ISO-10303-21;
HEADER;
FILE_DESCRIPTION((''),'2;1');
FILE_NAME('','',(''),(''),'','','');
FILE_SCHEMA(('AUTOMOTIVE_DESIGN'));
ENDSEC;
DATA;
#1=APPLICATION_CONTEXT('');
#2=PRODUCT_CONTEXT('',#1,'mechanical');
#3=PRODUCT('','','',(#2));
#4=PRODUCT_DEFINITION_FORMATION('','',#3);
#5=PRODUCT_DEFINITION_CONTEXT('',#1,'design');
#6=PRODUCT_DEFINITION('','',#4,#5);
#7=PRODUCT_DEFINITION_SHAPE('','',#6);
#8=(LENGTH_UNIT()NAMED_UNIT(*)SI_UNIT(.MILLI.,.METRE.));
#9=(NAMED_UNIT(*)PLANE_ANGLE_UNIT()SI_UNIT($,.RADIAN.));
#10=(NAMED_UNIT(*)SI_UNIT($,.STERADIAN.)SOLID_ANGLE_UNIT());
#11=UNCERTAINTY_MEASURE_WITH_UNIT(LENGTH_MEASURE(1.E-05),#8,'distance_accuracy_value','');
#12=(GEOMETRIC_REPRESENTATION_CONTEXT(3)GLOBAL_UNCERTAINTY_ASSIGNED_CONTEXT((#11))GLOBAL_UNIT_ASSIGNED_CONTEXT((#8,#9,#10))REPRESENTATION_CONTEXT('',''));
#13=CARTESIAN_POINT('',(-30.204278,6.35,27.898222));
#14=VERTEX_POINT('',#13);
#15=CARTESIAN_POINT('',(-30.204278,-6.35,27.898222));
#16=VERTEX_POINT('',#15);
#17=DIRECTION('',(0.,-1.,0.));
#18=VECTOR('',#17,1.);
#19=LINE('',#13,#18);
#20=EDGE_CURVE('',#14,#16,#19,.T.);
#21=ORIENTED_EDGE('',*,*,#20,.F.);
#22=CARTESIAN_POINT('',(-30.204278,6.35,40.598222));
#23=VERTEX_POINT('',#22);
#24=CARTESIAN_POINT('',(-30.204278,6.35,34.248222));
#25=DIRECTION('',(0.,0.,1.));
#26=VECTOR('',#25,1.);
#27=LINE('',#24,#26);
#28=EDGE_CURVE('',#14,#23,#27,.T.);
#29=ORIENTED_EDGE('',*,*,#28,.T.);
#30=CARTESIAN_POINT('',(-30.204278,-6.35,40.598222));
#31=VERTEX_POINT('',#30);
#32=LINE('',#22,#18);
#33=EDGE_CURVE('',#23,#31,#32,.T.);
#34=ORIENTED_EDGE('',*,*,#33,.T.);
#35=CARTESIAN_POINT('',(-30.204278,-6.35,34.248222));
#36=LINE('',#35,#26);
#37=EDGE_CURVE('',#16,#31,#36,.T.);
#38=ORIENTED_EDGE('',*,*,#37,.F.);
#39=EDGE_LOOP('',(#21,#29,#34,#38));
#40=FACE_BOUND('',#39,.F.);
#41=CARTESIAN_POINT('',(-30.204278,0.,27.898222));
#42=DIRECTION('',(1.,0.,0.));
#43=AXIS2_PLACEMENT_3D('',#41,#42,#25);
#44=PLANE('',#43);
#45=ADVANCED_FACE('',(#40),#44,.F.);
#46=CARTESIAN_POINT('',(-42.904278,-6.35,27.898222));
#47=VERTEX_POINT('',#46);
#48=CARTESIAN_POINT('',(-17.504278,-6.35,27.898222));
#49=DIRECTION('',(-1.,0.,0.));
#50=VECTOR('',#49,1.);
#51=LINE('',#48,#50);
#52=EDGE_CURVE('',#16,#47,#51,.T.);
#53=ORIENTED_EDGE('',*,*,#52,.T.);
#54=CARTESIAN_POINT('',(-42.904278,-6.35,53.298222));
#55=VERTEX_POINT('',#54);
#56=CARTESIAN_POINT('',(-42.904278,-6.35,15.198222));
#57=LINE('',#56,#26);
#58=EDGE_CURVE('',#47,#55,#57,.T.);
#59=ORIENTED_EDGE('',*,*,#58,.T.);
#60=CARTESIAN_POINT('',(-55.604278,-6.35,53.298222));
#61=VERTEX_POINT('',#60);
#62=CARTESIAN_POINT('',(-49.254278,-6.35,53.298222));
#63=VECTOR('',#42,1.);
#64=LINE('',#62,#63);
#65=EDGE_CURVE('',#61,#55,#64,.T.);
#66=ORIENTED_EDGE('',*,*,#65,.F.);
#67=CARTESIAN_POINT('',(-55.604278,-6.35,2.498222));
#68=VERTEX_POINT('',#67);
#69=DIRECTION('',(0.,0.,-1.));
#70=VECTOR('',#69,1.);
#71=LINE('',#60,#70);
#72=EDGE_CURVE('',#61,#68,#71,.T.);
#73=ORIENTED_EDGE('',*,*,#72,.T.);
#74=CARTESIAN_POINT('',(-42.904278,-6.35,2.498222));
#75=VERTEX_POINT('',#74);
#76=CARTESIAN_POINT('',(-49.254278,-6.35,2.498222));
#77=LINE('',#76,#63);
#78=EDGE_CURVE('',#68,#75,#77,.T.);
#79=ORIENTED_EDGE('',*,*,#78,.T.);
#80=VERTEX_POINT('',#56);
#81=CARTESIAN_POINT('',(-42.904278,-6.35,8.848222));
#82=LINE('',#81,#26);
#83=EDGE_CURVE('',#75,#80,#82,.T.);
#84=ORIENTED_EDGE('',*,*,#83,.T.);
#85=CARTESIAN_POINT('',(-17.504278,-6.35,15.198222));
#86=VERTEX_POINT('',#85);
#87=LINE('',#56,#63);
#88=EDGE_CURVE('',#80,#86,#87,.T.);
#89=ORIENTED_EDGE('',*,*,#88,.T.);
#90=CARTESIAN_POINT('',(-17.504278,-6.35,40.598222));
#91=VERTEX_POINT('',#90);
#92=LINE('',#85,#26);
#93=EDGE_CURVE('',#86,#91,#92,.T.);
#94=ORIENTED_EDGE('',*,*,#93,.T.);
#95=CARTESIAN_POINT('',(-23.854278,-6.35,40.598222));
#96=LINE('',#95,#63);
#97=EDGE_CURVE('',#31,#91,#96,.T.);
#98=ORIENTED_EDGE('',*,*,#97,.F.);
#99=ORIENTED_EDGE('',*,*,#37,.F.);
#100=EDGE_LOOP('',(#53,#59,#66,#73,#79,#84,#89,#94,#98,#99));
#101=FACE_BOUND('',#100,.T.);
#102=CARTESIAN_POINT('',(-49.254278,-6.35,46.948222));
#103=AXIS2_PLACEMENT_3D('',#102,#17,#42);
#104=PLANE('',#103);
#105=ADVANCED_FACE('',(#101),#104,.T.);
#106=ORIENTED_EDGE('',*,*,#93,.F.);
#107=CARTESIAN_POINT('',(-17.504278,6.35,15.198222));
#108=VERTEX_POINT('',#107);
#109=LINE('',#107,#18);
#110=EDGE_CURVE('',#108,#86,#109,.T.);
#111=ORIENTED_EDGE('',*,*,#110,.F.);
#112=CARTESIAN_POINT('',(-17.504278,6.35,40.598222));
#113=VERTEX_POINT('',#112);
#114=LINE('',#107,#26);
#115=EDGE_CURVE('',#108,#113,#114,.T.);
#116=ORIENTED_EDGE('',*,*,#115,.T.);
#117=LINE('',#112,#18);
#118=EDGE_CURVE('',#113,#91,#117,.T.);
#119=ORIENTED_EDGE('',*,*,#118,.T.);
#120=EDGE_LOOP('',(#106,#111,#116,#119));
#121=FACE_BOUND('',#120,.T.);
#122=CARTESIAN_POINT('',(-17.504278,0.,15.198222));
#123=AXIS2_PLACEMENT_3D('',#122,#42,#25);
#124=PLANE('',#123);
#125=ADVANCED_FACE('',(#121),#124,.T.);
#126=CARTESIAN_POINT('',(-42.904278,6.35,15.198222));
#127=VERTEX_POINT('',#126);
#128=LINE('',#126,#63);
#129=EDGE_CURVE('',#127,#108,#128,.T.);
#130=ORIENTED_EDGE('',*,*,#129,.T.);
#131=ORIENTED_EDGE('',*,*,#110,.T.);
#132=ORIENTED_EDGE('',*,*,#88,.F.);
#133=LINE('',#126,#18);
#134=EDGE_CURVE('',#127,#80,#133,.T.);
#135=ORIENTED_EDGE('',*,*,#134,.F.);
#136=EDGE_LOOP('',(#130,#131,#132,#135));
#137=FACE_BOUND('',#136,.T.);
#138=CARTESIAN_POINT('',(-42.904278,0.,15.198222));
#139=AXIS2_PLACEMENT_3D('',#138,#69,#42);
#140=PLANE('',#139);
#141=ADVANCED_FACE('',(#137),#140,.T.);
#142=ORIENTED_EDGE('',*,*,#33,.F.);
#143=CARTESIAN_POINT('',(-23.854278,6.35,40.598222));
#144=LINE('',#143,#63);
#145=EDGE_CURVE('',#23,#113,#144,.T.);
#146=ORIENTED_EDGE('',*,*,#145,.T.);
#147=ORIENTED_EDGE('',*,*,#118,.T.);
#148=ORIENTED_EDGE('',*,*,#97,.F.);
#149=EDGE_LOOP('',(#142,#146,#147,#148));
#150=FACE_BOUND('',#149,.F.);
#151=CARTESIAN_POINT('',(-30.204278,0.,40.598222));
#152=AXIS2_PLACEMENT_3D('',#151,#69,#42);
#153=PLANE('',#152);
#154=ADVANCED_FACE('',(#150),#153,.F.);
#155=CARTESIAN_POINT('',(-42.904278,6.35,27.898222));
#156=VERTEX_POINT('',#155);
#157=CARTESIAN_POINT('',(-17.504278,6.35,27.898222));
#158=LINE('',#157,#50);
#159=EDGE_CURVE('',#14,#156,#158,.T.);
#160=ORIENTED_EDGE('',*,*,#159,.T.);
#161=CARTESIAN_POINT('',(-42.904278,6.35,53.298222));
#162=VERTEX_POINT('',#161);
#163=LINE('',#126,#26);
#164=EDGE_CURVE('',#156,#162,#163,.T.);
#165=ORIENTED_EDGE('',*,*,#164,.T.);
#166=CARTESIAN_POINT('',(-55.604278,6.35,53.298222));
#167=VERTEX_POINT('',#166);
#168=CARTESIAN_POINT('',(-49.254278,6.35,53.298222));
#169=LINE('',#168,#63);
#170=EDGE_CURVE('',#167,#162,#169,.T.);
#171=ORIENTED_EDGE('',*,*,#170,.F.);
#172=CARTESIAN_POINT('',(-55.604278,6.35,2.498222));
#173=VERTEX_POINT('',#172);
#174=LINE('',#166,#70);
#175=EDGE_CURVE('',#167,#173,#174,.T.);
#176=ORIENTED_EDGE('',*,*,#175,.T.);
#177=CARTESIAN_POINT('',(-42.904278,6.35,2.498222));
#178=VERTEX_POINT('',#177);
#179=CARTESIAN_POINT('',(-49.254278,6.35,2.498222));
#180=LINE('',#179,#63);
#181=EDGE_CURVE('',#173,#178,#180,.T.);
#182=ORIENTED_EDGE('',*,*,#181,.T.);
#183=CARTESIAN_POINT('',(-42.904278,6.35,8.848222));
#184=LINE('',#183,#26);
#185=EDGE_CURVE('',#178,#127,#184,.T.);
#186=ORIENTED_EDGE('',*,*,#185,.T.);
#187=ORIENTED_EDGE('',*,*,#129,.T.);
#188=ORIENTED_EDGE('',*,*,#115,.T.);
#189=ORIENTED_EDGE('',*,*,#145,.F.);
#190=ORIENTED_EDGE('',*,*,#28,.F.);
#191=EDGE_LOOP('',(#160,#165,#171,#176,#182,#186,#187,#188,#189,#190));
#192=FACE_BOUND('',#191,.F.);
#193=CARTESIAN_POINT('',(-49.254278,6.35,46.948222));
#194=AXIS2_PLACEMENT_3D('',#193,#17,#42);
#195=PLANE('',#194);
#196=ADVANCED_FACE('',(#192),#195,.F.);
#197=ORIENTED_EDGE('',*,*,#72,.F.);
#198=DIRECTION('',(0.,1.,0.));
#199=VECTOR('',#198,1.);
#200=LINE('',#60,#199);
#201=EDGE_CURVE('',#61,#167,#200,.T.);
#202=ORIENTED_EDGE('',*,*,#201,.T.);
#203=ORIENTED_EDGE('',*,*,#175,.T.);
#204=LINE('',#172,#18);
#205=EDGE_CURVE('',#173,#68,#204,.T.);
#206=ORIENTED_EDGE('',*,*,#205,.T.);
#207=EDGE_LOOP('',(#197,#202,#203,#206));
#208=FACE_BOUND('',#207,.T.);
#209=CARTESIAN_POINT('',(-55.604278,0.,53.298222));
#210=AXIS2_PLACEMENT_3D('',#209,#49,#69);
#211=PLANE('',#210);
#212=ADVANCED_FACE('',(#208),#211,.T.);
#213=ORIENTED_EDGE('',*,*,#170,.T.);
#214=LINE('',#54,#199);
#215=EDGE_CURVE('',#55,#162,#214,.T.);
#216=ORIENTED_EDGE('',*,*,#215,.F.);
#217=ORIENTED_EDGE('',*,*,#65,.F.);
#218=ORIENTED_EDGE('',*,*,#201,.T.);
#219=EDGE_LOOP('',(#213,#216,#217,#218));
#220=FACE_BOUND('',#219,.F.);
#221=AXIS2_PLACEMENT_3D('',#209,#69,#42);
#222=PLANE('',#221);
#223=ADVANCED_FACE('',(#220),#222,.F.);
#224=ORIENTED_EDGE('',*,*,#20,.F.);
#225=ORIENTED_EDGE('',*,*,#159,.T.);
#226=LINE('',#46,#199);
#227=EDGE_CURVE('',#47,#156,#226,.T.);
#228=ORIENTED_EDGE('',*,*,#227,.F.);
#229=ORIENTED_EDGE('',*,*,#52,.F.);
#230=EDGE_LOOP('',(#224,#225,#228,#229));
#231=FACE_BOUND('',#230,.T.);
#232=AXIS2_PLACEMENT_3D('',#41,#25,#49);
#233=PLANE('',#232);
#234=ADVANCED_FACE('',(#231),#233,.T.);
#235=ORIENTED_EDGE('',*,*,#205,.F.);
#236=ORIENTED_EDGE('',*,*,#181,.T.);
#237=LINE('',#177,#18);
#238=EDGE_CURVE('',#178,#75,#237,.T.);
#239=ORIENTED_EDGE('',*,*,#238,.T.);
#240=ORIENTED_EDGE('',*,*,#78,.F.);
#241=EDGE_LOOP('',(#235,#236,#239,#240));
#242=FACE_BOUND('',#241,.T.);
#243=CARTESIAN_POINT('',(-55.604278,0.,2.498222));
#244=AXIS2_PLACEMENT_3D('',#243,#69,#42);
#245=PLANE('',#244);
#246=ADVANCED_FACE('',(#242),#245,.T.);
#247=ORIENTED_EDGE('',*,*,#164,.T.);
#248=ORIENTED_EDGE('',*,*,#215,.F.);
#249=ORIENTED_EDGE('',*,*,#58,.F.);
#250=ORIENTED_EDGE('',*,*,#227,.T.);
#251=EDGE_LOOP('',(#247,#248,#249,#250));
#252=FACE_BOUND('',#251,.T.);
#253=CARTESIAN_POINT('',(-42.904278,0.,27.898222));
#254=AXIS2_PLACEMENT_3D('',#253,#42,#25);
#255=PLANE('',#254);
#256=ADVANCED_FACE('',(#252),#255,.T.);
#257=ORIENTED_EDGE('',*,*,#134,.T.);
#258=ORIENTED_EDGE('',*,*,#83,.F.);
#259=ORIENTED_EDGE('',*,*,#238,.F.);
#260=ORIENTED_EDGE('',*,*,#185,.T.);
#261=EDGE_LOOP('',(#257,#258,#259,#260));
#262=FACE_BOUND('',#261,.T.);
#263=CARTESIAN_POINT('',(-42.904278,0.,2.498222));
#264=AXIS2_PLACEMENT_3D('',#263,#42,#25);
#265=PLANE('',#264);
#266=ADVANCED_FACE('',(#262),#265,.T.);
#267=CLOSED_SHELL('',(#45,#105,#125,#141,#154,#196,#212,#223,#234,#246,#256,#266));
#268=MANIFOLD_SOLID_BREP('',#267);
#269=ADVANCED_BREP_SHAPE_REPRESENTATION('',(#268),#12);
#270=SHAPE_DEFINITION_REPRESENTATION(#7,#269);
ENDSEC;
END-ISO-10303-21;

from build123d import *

# Parameters (mm, degrees)
F0_W     = 12.7
F0_H     = 12.7
F1_DEPTH = 6.35


with BuildPart() as f1:
    # F0 (on Front) → F1 (new body, symmetric)
    with BuildSketch(Plane.XZ):
        with Locations((-49.254278, 46.948222)):
            Rectangle(F0_W, F0_H)
        with Locations((-49.254278, 34.248222)):
            Rectangle(F0_W, F0_H)
        with Locations((-49.254278, 21.548222)):
            Rectangle(F0_W, F0_H)
        with Locations((-36.554278, 21.548222)):
            Rectangle(F0_W, F0_H)
        with Locations((-49.254278, 8.848222)):
            Rectangle(F0_W, F0_H)
        with Locations((-23.854278, 21.548222)):
            Rectangle(F0_W, F0_H)
        with Locations((-23.854278, 34.248222)):
            Rectangle(F0_W, F0_H)
    extrude(amount=F1_DEPTH, both=True)


solid = f1.part
